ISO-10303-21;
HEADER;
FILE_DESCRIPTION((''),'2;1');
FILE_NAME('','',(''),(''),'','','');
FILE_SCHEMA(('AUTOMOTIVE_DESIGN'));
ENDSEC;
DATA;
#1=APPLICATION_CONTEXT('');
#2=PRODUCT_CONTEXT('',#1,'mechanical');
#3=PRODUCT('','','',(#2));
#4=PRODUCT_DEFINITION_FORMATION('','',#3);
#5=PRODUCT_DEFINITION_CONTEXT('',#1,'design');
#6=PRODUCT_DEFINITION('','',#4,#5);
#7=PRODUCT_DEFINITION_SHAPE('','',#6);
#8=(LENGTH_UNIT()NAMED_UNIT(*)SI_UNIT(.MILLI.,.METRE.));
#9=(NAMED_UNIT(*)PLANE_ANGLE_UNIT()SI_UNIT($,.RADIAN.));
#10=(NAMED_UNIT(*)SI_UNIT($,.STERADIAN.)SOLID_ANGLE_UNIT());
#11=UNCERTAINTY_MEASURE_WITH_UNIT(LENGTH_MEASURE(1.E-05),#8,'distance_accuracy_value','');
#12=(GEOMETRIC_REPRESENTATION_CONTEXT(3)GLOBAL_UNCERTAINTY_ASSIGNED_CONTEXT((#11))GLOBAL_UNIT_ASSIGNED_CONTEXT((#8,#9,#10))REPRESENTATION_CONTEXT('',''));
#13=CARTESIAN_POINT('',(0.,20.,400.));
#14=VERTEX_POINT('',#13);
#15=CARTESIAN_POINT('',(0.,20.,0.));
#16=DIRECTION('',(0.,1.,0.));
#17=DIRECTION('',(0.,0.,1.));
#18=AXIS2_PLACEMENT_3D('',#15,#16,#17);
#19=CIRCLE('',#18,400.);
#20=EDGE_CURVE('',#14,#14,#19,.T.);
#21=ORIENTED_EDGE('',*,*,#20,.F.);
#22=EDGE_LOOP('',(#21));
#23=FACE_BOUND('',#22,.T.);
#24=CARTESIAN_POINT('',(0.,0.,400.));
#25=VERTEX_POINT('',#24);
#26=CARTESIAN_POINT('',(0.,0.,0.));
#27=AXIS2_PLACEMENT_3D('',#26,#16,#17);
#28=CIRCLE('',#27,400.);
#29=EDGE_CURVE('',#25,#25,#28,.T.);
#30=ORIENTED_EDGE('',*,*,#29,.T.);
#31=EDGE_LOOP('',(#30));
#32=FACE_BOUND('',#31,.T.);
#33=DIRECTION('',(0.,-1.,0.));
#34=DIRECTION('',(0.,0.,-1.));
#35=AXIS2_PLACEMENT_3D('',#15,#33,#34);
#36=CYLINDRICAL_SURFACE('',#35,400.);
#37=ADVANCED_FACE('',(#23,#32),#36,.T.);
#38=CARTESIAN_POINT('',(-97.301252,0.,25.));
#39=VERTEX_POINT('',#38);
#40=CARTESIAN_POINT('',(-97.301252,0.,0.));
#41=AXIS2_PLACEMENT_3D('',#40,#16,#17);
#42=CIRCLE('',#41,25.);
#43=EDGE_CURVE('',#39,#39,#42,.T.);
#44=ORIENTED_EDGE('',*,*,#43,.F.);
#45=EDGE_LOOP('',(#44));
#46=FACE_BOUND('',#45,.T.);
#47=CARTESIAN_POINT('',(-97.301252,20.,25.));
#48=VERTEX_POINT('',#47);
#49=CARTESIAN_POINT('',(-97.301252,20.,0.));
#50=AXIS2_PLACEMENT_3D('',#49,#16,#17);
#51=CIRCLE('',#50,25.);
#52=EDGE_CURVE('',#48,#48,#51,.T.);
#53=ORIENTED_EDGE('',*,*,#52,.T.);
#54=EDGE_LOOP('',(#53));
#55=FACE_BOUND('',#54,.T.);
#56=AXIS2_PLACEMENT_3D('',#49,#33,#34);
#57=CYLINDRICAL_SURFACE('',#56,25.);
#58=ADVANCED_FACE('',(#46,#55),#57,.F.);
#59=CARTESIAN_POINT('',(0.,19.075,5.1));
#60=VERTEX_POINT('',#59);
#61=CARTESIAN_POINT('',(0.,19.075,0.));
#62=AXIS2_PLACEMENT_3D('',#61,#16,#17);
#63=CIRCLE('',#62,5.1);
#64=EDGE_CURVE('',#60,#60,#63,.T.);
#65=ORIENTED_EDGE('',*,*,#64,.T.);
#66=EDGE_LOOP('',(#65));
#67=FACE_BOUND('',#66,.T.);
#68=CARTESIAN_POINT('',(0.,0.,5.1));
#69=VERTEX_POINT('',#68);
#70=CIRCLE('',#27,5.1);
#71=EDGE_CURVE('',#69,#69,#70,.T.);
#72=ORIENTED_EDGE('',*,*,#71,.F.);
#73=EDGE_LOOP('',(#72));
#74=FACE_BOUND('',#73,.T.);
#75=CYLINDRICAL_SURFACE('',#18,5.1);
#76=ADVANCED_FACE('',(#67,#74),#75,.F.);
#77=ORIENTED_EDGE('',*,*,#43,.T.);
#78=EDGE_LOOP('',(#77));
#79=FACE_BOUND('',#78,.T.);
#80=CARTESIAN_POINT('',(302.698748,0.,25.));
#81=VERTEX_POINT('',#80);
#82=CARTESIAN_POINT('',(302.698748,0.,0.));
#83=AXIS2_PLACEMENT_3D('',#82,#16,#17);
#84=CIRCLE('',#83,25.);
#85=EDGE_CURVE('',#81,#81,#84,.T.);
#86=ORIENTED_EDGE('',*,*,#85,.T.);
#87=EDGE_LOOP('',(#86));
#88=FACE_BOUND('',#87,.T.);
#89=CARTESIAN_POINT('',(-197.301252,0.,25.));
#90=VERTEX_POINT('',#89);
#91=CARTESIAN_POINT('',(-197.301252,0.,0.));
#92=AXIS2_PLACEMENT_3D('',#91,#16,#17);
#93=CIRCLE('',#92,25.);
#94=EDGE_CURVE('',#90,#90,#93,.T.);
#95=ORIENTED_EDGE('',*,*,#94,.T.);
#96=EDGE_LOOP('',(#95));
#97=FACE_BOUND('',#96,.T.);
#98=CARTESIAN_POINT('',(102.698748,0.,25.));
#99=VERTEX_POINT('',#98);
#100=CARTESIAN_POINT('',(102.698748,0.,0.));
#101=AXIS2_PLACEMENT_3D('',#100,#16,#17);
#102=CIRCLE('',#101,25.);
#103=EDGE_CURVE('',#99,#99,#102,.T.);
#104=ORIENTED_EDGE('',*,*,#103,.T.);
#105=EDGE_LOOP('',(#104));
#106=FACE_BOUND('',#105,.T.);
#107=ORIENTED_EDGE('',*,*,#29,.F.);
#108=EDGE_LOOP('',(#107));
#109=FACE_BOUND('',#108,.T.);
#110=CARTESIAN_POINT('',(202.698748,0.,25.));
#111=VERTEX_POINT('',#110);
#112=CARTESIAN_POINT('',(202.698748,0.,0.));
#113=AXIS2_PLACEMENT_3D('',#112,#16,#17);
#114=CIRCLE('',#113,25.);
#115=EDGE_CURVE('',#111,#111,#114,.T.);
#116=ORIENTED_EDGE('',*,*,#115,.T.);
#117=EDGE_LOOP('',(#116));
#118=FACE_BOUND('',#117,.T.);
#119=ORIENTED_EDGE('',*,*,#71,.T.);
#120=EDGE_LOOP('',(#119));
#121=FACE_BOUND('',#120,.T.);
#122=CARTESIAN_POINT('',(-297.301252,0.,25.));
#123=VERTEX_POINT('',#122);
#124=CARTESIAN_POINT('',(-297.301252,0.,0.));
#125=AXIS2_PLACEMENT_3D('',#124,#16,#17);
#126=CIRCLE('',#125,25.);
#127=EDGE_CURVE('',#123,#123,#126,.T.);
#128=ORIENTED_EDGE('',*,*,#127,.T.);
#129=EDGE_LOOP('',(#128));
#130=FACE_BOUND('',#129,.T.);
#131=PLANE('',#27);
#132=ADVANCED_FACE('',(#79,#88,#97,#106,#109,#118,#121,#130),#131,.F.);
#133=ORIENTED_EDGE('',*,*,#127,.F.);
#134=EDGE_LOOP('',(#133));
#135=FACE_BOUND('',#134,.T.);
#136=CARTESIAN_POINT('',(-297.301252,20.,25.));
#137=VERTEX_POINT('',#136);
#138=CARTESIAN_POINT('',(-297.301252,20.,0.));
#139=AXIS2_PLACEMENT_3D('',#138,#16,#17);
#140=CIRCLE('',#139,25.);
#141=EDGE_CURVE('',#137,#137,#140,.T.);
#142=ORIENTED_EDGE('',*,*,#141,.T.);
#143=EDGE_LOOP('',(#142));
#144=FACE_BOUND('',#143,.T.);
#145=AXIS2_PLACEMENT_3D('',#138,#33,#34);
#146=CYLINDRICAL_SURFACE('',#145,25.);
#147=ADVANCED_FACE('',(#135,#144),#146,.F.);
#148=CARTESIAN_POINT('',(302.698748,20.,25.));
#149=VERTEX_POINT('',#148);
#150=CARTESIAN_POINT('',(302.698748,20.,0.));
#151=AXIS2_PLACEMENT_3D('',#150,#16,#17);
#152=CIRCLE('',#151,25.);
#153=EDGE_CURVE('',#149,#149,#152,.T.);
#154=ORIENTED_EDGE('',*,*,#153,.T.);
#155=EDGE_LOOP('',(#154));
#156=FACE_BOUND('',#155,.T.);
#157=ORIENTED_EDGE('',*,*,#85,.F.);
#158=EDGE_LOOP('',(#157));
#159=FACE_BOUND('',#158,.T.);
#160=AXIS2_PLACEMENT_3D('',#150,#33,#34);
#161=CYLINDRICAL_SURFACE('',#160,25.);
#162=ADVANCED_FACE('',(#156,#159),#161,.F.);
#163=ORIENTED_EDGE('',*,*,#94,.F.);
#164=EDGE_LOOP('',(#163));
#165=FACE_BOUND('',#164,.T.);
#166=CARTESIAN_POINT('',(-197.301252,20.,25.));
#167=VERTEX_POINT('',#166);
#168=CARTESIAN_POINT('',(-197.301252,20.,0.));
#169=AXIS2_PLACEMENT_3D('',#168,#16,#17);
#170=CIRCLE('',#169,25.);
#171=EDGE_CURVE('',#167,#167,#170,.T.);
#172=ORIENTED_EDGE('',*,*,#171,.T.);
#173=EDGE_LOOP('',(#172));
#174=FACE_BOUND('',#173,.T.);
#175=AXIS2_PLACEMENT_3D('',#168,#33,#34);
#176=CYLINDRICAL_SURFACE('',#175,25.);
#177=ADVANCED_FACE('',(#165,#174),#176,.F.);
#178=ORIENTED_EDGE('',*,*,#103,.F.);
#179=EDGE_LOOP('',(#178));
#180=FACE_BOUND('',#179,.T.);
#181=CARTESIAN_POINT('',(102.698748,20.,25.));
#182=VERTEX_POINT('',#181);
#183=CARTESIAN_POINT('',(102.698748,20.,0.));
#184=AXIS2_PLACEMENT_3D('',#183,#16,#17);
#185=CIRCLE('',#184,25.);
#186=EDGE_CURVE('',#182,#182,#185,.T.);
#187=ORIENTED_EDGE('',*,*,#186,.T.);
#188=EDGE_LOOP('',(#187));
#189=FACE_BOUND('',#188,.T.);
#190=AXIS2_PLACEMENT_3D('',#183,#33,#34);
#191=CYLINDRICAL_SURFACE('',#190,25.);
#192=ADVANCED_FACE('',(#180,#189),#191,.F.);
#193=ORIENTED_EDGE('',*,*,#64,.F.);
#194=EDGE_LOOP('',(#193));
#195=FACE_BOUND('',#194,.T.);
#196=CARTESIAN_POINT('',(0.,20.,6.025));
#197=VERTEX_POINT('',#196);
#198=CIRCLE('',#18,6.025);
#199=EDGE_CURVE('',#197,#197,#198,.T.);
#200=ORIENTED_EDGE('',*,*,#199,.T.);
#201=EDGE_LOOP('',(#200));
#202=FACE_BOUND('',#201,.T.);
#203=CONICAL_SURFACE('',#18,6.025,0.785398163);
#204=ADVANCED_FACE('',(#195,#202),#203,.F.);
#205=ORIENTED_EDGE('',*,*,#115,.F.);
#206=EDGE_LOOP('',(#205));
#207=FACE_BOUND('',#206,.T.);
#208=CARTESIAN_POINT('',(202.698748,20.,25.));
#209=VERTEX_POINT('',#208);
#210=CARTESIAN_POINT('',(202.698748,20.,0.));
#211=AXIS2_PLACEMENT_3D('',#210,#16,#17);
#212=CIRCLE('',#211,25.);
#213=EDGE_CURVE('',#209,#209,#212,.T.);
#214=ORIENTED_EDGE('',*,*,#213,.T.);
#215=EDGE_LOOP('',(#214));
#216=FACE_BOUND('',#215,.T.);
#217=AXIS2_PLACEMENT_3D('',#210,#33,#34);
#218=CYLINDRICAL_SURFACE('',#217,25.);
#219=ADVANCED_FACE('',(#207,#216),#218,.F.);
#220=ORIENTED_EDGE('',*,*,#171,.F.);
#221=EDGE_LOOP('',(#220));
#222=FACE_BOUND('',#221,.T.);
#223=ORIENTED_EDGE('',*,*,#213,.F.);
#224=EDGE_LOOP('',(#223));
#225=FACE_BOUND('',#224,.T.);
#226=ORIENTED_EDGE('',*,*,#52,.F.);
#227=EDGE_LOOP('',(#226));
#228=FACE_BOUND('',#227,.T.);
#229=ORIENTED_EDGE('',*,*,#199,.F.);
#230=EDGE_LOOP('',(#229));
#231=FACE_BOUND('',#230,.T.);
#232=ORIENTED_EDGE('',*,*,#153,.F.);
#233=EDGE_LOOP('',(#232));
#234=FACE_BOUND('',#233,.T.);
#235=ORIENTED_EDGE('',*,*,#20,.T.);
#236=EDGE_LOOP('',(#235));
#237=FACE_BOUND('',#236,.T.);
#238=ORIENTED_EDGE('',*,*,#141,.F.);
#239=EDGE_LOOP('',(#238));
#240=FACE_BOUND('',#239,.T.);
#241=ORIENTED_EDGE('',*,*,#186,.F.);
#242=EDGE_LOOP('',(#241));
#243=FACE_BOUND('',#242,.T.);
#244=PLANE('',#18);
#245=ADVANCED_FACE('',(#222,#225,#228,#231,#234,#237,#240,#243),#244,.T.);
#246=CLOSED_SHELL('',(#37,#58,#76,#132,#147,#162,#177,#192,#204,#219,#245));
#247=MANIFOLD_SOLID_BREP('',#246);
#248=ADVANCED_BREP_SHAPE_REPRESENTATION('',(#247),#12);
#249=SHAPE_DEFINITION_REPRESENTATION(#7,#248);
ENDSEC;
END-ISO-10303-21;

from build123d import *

# Parameters (mm, degrees)
SKETCH1_R                    = 400
BOSS_EXTRUDE1_DEPTH          = 20
SKETCH2_R                    = 25
CUT_EXTRUDE3_DEPTH           = 20
M12_TAPPED_HOLE1_D           = 10.2
M12_TAPPED_HOLE1_DEPTH       = 32.75
M12_TAPPED_HOLE1_CSINK_D     = 12.05
M12_TAPPED_HOLE1_CSINK_ANGLE = 90
M12_TAPPED_HOLE1_TIP         = 3.064389157


with BuildPart() as part:
    # Sketch1 → Boss-Extrude1 (new body)
    with BuildSketch(Plane(origin=(0, 0, 0), x_dir=(1, 0, 0), z_dir=(0, 1, 0))):
        Circle(SKETCH1_R)
    extrude(amount=BOSS_EXTRUDE1_DEPTH)

    # Sketch2 → Cut-Extrude3 (cut)
    with BuildSketch(Plane(origin=(0, 0, 0), x_dir=(1, 0, 0), z_dir=(0, 1, 0))):
        with Locations((102.698747746, 0)):
            Circle(SKETCH2_R)
        with Locations((202.698747746, 0)):
            Circle(SKETCH2_R)
        with Locations((302.698747746, 0)):
            Circle(SKETCH2_R)
        with Locations((-97.301252254, 0)):
            Circle(SKETCH2_R)
        with Locations((-197.301252254, 0)):
            Circle(SKETCH2_R)
        with Locations((-297.301252254, 0)):
            Circle(SKETCH2_R)
    extrude(amount=CUT_EXTRUDE3_DEPTH, mode=Mode.SUBTRACT)

    # M12 Tapped Hole1
    with Locations(Plane(origin=(0, 20, 0), x_dir=(1, 0, 0), z_dir=(0, 1, 0))):
        with Locations((0, 0)):
            CounterSinkHole(M12_TAPPED_HOLE1_D / 2, M12_TAPPED_HOLE1_CSINK_D / 2, depth=M12_TAPPED_HOLE1_DEPTH, counter_sink_angle=M12_TAPPED_HOLE1_CSINK_ANGLE)
            with Locations((0, 0, -(M12_TAPPED_HOLE1_DEPTH + M12_TAPPED_HOLE1_TIP / 2))):  # 118° drill point
                Cone(0, M12_TAPPED_HOLE1_D / 2, M12_TAPPED_HOLE1_TIP, mode=Mode.SUBTRACT)


solid = part.part
